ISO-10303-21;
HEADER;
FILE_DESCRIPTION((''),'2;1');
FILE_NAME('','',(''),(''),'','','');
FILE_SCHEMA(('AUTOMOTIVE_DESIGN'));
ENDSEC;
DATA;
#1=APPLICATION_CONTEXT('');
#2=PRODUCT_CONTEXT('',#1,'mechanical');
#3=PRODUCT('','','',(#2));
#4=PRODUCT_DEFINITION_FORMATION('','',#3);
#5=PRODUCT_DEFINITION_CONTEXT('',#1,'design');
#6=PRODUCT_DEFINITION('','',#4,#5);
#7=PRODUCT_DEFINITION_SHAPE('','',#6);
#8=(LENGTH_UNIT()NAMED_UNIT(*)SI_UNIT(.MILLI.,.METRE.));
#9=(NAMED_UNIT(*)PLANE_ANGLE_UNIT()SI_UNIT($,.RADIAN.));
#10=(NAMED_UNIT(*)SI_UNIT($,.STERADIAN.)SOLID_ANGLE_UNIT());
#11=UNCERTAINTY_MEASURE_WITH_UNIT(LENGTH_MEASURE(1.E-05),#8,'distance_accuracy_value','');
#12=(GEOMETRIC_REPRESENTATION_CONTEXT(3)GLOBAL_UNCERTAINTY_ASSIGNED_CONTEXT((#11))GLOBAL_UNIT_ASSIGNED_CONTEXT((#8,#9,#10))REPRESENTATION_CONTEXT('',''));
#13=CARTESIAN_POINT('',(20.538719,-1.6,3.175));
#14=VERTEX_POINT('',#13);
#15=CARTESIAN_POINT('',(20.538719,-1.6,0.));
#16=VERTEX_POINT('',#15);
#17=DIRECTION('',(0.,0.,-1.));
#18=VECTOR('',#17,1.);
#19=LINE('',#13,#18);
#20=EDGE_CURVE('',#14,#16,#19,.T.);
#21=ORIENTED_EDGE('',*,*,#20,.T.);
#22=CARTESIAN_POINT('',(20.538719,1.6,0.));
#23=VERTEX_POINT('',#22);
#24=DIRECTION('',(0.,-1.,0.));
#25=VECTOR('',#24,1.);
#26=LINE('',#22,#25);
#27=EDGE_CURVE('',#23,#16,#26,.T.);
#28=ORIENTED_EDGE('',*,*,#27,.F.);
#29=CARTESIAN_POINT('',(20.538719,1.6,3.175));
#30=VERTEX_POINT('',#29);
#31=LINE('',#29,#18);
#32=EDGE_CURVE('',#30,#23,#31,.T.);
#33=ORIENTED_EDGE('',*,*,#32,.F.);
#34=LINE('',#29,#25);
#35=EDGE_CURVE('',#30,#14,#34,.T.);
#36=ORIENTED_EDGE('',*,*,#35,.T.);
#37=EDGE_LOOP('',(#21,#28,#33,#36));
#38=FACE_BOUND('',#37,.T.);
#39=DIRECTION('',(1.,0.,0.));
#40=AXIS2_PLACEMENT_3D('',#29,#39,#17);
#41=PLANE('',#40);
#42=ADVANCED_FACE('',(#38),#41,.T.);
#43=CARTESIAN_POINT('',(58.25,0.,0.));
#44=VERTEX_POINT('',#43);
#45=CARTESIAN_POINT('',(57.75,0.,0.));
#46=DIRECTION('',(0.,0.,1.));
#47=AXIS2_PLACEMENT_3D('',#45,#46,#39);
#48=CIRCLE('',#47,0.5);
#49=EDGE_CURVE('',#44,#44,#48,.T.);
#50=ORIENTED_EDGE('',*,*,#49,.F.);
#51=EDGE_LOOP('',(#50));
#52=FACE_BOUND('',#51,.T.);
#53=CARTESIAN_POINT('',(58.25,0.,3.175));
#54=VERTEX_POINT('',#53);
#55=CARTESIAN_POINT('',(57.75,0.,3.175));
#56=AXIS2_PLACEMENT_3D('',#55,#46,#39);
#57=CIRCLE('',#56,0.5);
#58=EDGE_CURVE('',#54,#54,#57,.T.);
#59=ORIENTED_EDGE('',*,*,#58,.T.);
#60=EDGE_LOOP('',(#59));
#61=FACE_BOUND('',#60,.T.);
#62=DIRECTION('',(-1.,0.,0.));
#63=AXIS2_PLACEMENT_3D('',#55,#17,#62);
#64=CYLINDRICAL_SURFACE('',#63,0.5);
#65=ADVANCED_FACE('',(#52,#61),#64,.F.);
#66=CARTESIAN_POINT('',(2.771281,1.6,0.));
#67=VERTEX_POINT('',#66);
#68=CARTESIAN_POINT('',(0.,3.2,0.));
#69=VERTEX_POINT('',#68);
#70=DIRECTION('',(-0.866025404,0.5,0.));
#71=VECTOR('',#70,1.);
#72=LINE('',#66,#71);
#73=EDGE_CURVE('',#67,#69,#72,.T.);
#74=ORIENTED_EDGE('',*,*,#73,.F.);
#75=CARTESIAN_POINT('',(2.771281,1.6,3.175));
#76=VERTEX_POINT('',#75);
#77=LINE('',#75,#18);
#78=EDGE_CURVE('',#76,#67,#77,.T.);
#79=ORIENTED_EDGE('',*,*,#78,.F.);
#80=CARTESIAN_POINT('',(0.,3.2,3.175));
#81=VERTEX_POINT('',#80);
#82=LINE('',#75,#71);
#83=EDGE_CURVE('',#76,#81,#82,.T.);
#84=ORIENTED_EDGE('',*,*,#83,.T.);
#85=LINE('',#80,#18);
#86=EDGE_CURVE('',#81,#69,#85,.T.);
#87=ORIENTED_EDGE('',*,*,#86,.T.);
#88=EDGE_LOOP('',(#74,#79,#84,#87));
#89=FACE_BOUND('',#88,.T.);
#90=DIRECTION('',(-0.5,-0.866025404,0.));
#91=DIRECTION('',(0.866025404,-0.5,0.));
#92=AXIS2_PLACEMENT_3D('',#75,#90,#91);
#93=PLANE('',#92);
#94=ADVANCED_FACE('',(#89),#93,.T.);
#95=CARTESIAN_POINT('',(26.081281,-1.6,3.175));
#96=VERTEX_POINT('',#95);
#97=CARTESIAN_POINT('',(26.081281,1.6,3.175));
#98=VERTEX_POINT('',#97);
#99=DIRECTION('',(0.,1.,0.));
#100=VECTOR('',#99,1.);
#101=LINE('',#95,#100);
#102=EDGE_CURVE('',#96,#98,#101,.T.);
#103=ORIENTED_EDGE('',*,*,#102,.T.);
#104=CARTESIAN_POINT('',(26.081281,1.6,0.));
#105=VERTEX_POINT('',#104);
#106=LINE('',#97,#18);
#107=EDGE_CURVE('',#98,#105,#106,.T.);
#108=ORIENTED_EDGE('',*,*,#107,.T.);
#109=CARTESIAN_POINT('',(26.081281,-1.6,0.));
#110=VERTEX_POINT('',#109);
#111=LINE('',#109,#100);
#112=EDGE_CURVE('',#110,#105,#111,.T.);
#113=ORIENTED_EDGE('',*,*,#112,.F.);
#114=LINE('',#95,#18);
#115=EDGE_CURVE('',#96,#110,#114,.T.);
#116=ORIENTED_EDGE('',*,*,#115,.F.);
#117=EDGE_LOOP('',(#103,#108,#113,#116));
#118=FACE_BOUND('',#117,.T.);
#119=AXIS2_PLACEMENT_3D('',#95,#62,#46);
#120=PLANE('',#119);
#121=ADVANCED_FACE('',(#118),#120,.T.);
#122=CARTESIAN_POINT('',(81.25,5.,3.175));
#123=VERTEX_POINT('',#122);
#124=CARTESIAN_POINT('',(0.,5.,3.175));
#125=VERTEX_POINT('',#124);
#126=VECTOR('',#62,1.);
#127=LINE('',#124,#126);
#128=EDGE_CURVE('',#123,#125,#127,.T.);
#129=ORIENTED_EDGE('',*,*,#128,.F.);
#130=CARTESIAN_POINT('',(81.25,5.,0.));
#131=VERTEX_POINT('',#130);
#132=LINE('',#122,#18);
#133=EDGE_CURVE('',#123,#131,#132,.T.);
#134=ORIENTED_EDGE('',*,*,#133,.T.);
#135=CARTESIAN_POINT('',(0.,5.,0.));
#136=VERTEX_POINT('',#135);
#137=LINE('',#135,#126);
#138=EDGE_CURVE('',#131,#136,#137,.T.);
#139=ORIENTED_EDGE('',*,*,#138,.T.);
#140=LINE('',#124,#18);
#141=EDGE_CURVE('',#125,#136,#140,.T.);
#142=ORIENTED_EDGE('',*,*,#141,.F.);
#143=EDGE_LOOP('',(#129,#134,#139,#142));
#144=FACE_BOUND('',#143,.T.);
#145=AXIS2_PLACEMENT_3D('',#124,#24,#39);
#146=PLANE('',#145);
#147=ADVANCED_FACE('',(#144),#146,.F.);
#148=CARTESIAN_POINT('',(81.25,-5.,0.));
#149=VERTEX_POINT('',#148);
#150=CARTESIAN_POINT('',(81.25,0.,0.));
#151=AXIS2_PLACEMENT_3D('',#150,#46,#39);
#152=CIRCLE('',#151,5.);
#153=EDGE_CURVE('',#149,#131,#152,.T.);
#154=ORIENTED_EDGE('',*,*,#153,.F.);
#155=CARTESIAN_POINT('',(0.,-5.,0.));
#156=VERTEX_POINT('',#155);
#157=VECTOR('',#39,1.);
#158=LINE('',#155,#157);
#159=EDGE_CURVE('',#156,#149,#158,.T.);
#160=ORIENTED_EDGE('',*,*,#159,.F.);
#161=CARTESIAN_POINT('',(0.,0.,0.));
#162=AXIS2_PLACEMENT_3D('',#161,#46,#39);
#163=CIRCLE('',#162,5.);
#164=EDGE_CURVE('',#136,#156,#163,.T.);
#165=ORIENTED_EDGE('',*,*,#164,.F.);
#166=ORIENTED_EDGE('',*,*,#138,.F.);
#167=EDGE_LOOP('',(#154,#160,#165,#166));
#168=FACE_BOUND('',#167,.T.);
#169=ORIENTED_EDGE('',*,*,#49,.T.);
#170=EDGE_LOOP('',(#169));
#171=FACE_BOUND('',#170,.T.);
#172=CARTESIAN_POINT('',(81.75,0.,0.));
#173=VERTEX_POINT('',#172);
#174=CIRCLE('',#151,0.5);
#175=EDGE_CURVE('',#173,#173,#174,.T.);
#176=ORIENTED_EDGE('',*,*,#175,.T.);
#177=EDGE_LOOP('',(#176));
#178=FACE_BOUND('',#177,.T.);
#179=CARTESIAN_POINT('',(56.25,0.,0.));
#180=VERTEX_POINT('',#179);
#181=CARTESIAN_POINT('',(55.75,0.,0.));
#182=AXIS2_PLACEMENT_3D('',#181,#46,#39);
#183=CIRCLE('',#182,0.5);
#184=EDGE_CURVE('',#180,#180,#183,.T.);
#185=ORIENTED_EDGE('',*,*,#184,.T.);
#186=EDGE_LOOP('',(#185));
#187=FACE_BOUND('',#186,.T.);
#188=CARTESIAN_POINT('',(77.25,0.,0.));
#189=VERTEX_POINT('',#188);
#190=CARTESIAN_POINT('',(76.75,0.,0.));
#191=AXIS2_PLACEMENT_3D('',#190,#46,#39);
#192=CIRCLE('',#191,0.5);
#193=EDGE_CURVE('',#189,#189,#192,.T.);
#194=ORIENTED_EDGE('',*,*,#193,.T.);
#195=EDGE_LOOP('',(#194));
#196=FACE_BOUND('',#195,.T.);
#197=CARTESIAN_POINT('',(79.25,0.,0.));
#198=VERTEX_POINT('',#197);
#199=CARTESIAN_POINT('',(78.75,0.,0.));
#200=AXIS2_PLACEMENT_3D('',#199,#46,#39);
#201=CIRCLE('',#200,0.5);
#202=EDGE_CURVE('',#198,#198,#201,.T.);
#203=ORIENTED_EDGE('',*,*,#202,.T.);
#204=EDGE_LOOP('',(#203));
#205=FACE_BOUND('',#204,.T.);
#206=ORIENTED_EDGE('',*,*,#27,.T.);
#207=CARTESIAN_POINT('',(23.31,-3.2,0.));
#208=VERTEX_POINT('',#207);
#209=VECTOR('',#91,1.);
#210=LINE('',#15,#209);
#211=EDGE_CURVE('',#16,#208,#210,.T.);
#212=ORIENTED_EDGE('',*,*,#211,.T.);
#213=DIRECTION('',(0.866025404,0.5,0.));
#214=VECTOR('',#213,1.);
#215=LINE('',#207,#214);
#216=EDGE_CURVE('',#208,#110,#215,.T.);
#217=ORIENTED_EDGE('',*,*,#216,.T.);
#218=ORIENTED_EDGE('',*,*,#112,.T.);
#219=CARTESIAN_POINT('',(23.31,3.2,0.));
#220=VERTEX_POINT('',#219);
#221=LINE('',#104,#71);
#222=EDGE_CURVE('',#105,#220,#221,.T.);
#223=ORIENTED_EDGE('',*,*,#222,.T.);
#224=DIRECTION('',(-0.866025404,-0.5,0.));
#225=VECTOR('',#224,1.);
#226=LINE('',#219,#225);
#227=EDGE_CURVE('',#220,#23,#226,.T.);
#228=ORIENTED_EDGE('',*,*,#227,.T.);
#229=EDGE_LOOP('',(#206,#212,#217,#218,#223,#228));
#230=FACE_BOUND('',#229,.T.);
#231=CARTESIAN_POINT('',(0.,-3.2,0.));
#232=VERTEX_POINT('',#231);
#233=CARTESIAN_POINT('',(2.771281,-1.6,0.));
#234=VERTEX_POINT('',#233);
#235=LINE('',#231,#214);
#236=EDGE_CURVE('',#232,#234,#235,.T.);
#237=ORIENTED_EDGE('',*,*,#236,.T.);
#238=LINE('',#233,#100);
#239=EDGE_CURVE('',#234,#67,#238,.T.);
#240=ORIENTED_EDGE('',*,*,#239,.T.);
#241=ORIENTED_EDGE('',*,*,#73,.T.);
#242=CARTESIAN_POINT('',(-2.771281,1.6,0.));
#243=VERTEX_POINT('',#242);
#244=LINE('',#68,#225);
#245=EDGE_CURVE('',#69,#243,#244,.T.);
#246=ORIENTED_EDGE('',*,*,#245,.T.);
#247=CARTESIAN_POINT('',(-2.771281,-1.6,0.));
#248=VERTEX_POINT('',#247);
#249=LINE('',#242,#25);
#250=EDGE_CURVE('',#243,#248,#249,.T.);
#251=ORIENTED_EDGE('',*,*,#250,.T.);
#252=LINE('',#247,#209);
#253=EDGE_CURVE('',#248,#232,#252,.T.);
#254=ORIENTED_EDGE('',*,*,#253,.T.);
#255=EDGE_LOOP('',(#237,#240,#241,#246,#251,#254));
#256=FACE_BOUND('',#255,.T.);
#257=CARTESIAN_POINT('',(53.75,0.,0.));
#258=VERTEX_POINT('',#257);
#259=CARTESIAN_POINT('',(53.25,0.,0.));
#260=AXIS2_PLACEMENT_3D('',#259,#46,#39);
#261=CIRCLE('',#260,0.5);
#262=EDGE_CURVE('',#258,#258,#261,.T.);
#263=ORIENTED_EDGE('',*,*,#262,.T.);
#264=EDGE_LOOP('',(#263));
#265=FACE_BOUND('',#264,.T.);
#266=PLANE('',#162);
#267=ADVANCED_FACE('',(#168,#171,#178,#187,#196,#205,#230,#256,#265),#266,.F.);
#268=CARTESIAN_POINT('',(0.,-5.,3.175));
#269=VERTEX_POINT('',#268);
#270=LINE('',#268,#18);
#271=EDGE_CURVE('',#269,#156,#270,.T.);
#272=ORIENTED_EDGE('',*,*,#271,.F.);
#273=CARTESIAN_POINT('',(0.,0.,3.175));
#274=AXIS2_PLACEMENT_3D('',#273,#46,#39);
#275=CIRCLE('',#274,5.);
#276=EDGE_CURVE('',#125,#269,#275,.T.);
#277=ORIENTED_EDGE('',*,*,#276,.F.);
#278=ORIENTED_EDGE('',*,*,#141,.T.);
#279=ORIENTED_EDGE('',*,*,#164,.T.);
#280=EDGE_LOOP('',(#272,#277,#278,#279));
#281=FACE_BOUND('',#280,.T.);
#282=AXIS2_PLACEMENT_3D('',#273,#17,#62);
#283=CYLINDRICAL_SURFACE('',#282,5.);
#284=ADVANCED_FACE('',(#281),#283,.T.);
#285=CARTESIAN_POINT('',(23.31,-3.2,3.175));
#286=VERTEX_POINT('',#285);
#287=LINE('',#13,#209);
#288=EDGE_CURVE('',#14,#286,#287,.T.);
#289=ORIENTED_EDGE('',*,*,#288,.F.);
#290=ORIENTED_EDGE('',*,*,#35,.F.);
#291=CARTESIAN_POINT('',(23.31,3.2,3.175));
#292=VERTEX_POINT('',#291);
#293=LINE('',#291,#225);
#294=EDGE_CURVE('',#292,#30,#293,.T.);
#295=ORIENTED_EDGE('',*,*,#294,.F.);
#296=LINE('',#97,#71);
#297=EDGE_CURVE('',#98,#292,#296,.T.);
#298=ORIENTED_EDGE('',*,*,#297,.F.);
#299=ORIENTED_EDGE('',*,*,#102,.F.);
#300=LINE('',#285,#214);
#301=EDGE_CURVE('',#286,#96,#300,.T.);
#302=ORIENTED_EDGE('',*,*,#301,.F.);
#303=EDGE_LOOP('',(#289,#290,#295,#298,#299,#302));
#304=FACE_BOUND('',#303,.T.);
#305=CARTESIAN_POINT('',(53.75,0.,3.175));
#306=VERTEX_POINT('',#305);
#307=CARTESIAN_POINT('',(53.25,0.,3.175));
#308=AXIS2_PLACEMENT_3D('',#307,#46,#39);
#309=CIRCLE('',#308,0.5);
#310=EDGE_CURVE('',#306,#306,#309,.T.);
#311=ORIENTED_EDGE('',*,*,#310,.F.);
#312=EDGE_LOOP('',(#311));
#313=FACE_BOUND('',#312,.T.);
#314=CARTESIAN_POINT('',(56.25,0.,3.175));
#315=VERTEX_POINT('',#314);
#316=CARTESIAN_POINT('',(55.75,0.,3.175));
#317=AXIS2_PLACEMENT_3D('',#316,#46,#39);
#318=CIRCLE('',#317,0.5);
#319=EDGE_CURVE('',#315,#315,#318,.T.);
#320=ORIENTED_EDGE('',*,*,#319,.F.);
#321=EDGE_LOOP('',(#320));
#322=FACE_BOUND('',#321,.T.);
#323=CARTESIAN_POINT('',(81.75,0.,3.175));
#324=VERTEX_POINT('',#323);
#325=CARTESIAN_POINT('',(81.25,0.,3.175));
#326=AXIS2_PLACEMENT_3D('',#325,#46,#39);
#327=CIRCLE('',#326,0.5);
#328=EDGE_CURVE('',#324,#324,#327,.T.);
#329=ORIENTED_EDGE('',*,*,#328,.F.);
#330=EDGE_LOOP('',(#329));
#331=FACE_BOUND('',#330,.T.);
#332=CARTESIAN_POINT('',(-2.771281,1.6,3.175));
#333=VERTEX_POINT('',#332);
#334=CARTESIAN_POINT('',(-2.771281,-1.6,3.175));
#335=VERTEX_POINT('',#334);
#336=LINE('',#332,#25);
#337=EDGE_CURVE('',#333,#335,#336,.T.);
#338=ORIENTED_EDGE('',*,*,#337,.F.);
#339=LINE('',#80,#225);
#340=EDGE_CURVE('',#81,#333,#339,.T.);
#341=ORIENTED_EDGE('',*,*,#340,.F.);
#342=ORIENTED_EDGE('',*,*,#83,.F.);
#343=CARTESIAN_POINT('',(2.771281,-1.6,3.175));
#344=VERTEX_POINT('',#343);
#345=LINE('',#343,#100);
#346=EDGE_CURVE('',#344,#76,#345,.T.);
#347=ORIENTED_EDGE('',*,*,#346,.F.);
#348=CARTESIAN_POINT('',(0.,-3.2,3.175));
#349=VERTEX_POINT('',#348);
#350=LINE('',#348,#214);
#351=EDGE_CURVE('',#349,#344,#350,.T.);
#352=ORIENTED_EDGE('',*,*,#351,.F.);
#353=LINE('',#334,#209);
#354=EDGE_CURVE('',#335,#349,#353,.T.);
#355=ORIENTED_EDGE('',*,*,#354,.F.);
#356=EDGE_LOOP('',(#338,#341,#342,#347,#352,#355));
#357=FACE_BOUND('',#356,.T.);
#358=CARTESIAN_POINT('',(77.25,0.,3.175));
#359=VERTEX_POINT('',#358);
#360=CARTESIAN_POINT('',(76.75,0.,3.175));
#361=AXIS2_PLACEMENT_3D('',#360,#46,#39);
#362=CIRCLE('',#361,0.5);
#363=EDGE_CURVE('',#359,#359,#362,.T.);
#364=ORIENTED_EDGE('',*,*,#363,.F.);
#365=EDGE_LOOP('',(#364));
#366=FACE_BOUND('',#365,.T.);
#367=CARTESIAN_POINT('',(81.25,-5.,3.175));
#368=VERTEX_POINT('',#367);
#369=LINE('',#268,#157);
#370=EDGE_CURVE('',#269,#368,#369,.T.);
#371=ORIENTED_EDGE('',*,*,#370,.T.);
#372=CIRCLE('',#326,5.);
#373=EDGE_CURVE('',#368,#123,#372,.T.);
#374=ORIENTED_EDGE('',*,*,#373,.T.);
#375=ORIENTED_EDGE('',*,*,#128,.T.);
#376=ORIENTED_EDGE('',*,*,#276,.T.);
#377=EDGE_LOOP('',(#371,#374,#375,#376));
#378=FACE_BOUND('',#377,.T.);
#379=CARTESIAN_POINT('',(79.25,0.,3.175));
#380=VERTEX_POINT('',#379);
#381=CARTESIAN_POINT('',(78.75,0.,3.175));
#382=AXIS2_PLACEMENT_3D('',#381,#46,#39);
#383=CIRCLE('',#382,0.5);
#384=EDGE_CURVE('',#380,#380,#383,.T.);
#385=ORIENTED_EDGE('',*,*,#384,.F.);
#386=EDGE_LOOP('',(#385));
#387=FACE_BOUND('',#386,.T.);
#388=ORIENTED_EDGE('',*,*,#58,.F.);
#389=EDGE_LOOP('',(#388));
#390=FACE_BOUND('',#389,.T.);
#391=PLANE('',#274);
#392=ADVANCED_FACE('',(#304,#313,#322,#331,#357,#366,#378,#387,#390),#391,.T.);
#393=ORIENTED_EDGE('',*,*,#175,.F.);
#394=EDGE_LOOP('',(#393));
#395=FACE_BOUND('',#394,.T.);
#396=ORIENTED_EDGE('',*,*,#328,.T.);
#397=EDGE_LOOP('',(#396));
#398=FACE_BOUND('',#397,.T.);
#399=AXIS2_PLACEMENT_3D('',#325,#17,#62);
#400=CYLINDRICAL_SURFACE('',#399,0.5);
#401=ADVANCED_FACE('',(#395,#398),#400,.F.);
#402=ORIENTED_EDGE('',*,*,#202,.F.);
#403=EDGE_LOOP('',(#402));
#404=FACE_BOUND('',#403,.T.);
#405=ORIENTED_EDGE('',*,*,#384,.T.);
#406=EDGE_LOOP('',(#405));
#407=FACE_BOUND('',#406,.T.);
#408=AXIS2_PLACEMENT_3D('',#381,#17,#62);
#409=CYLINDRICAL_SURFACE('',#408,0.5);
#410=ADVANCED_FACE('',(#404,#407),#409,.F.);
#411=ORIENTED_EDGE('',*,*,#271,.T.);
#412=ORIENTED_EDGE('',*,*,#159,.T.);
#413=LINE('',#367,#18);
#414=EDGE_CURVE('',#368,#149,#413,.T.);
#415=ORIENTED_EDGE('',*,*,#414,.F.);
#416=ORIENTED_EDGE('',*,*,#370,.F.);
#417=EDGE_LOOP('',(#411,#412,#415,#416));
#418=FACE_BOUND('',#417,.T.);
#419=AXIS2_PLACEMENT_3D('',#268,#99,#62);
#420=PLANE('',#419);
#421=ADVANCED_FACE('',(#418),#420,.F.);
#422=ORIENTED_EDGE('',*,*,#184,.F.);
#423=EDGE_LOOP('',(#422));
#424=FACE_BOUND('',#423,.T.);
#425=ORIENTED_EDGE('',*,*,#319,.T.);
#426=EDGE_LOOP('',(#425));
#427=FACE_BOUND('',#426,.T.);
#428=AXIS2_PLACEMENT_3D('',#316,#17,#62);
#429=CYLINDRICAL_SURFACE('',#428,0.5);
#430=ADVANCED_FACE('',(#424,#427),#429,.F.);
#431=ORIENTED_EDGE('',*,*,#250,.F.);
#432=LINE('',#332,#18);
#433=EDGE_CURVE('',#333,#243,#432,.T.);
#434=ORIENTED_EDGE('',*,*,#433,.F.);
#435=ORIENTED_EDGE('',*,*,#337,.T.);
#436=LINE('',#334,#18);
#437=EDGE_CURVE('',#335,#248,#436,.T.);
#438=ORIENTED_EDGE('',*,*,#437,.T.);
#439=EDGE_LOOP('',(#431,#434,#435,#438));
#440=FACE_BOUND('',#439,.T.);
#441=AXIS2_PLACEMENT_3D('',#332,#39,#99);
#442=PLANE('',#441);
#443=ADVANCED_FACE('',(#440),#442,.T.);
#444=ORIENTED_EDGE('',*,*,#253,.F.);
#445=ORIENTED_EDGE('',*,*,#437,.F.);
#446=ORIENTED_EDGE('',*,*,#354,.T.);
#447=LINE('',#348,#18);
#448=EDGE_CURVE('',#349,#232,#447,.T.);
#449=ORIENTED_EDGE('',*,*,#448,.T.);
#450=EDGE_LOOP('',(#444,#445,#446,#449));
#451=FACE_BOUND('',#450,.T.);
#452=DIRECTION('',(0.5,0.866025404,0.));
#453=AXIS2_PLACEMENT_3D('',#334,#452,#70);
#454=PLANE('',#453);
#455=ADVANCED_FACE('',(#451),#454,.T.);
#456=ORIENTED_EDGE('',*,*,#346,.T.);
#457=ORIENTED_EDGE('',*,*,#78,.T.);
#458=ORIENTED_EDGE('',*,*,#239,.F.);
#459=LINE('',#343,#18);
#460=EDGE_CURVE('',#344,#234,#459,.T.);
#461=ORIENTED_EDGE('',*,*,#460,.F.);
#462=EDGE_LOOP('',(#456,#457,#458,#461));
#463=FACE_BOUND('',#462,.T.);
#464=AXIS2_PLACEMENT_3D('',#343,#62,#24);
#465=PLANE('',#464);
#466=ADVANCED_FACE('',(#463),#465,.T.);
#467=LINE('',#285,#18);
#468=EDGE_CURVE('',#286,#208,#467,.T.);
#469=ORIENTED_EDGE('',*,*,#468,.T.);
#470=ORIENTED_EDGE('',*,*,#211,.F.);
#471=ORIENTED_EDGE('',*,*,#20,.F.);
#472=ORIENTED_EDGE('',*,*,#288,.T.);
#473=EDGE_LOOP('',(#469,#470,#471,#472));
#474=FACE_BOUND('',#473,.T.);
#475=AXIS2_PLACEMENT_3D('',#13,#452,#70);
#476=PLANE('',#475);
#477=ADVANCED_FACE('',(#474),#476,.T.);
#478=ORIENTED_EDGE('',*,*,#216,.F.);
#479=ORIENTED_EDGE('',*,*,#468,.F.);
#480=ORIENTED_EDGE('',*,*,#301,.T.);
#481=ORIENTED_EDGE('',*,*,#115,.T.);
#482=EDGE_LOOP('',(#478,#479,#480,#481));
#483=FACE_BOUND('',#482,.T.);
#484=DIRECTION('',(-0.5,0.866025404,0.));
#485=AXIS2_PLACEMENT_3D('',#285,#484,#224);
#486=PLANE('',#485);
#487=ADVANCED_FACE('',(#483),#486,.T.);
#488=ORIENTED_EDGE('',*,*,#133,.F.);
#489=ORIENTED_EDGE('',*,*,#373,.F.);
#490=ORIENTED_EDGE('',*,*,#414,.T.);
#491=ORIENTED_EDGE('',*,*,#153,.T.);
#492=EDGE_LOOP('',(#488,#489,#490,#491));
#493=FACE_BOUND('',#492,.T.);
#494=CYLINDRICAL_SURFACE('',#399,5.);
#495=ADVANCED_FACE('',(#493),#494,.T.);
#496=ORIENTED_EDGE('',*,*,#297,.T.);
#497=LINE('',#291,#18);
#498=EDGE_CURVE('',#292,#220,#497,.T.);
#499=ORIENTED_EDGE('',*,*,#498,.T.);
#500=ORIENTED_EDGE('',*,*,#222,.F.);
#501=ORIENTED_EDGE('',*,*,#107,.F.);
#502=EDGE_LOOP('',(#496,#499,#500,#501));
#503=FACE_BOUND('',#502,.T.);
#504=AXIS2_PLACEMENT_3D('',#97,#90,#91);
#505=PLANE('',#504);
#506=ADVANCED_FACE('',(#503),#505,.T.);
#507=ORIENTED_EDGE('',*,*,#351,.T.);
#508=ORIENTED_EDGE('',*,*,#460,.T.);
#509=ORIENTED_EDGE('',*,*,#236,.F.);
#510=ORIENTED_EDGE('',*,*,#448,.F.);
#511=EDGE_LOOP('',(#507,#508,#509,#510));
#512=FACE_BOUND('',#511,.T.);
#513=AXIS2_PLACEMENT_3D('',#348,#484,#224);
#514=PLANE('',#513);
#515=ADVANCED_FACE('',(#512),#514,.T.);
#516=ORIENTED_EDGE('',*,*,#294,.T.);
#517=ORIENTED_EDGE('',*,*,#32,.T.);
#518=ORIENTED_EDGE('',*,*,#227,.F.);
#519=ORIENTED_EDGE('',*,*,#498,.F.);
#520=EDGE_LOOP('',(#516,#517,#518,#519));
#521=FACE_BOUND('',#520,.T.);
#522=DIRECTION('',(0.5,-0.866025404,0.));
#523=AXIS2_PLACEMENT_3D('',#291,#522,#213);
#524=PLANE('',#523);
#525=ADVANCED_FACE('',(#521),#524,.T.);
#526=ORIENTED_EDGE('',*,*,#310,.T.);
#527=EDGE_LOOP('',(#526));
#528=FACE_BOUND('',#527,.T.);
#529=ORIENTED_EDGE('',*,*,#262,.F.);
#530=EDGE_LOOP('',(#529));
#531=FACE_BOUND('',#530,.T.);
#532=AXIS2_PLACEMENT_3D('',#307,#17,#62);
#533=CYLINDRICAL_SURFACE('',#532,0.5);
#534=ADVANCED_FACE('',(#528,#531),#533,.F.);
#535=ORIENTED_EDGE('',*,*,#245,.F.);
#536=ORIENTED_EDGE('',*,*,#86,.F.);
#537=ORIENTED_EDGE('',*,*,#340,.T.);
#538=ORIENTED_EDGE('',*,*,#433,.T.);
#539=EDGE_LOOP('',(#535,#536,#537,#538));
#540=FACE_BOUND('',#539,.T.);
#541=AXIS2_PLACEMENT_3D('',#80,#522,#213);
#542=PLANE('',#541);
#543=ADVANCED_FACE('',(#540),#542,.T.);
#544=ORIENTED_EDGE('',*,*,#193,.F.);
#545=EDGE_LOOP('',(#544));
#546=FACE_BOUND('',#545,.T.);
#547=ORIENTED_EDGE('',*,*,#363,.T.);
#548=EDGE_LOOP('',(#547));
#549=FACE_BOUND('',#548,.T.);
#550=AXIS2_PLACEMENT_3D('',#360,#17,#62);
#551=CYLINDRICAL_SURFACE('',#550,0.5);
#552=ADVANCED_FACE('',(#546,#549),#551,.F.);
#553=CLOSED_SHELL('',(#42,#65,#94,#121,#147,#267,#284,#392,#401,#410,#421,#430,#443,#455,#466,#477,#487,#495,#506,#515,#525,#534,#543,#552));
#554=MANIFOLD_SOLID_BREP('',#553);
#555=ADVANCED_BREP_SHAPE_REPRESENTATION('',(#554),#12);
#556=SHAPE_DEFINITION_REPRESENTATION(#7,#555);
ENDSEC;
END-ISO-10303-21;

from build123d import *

# Parameters (mm, degrees)
SKETCH1_R           = 0.5
BOSS_EXTRUDE1_DEPTH = 3.175


with BuildPart() as part:
    # Sketch1 → Boss-Extrude1 (new body)
    with BuildSketch(Plane.XY):
        with BuildLine():
            Line((0, 5), (81.25, 5))
            ThreePointArc((81.25, 5), (86.25, 0), (81.25, -5))
            Line((81.25, -5), (0, -5))
            ThreePointArc((0, -5), (-5, 0), (0, 5))
        make_face()
        with Locations((81.25, 0)):
            Circle(SKETCH1_R, mode=Mode.SUBTRACT)
        with Locations((53.25, 0)):
            Circle(SKETCH1_R, mode=Mode.SUBTRACT)
        with Locations((55.75, 0)):
            Circle(SKETCH1_R, mode=Mode.SUBTRACT)
        with Locations((57.75, 0)):
            Circle(SKETCH1_R, mode=Mode.SUBTRACT)
        with Locations((78.75, 0)):
            Circle(SKETCH1_R, mode=Mode.SUBTRACT)
        with Locations((76.75, 0)):
            Circle(SKETCH1_R, mode=Mode.SUBTRACT)
        Polygon((0, 3.2), (-2.771281292, 1.6), (-2.771281292, -1.6), (0, -3.2), (2.771281292, -1.6), (2.771281292, 1.6), align=None, mode=Mode.SUBTRACT)
        Polygon((26.081281292, 1.6), (23.31, 3.2), (20.538718708, 1.6), (20.538718708, -1.6), (23.31, -3.2), (26.081281292, -1.6), align=None, mode=Mode.SUBTRACT)
    extrude(amount=BOSS_EXTRUDE1_DEPTH)


solid = part.part
